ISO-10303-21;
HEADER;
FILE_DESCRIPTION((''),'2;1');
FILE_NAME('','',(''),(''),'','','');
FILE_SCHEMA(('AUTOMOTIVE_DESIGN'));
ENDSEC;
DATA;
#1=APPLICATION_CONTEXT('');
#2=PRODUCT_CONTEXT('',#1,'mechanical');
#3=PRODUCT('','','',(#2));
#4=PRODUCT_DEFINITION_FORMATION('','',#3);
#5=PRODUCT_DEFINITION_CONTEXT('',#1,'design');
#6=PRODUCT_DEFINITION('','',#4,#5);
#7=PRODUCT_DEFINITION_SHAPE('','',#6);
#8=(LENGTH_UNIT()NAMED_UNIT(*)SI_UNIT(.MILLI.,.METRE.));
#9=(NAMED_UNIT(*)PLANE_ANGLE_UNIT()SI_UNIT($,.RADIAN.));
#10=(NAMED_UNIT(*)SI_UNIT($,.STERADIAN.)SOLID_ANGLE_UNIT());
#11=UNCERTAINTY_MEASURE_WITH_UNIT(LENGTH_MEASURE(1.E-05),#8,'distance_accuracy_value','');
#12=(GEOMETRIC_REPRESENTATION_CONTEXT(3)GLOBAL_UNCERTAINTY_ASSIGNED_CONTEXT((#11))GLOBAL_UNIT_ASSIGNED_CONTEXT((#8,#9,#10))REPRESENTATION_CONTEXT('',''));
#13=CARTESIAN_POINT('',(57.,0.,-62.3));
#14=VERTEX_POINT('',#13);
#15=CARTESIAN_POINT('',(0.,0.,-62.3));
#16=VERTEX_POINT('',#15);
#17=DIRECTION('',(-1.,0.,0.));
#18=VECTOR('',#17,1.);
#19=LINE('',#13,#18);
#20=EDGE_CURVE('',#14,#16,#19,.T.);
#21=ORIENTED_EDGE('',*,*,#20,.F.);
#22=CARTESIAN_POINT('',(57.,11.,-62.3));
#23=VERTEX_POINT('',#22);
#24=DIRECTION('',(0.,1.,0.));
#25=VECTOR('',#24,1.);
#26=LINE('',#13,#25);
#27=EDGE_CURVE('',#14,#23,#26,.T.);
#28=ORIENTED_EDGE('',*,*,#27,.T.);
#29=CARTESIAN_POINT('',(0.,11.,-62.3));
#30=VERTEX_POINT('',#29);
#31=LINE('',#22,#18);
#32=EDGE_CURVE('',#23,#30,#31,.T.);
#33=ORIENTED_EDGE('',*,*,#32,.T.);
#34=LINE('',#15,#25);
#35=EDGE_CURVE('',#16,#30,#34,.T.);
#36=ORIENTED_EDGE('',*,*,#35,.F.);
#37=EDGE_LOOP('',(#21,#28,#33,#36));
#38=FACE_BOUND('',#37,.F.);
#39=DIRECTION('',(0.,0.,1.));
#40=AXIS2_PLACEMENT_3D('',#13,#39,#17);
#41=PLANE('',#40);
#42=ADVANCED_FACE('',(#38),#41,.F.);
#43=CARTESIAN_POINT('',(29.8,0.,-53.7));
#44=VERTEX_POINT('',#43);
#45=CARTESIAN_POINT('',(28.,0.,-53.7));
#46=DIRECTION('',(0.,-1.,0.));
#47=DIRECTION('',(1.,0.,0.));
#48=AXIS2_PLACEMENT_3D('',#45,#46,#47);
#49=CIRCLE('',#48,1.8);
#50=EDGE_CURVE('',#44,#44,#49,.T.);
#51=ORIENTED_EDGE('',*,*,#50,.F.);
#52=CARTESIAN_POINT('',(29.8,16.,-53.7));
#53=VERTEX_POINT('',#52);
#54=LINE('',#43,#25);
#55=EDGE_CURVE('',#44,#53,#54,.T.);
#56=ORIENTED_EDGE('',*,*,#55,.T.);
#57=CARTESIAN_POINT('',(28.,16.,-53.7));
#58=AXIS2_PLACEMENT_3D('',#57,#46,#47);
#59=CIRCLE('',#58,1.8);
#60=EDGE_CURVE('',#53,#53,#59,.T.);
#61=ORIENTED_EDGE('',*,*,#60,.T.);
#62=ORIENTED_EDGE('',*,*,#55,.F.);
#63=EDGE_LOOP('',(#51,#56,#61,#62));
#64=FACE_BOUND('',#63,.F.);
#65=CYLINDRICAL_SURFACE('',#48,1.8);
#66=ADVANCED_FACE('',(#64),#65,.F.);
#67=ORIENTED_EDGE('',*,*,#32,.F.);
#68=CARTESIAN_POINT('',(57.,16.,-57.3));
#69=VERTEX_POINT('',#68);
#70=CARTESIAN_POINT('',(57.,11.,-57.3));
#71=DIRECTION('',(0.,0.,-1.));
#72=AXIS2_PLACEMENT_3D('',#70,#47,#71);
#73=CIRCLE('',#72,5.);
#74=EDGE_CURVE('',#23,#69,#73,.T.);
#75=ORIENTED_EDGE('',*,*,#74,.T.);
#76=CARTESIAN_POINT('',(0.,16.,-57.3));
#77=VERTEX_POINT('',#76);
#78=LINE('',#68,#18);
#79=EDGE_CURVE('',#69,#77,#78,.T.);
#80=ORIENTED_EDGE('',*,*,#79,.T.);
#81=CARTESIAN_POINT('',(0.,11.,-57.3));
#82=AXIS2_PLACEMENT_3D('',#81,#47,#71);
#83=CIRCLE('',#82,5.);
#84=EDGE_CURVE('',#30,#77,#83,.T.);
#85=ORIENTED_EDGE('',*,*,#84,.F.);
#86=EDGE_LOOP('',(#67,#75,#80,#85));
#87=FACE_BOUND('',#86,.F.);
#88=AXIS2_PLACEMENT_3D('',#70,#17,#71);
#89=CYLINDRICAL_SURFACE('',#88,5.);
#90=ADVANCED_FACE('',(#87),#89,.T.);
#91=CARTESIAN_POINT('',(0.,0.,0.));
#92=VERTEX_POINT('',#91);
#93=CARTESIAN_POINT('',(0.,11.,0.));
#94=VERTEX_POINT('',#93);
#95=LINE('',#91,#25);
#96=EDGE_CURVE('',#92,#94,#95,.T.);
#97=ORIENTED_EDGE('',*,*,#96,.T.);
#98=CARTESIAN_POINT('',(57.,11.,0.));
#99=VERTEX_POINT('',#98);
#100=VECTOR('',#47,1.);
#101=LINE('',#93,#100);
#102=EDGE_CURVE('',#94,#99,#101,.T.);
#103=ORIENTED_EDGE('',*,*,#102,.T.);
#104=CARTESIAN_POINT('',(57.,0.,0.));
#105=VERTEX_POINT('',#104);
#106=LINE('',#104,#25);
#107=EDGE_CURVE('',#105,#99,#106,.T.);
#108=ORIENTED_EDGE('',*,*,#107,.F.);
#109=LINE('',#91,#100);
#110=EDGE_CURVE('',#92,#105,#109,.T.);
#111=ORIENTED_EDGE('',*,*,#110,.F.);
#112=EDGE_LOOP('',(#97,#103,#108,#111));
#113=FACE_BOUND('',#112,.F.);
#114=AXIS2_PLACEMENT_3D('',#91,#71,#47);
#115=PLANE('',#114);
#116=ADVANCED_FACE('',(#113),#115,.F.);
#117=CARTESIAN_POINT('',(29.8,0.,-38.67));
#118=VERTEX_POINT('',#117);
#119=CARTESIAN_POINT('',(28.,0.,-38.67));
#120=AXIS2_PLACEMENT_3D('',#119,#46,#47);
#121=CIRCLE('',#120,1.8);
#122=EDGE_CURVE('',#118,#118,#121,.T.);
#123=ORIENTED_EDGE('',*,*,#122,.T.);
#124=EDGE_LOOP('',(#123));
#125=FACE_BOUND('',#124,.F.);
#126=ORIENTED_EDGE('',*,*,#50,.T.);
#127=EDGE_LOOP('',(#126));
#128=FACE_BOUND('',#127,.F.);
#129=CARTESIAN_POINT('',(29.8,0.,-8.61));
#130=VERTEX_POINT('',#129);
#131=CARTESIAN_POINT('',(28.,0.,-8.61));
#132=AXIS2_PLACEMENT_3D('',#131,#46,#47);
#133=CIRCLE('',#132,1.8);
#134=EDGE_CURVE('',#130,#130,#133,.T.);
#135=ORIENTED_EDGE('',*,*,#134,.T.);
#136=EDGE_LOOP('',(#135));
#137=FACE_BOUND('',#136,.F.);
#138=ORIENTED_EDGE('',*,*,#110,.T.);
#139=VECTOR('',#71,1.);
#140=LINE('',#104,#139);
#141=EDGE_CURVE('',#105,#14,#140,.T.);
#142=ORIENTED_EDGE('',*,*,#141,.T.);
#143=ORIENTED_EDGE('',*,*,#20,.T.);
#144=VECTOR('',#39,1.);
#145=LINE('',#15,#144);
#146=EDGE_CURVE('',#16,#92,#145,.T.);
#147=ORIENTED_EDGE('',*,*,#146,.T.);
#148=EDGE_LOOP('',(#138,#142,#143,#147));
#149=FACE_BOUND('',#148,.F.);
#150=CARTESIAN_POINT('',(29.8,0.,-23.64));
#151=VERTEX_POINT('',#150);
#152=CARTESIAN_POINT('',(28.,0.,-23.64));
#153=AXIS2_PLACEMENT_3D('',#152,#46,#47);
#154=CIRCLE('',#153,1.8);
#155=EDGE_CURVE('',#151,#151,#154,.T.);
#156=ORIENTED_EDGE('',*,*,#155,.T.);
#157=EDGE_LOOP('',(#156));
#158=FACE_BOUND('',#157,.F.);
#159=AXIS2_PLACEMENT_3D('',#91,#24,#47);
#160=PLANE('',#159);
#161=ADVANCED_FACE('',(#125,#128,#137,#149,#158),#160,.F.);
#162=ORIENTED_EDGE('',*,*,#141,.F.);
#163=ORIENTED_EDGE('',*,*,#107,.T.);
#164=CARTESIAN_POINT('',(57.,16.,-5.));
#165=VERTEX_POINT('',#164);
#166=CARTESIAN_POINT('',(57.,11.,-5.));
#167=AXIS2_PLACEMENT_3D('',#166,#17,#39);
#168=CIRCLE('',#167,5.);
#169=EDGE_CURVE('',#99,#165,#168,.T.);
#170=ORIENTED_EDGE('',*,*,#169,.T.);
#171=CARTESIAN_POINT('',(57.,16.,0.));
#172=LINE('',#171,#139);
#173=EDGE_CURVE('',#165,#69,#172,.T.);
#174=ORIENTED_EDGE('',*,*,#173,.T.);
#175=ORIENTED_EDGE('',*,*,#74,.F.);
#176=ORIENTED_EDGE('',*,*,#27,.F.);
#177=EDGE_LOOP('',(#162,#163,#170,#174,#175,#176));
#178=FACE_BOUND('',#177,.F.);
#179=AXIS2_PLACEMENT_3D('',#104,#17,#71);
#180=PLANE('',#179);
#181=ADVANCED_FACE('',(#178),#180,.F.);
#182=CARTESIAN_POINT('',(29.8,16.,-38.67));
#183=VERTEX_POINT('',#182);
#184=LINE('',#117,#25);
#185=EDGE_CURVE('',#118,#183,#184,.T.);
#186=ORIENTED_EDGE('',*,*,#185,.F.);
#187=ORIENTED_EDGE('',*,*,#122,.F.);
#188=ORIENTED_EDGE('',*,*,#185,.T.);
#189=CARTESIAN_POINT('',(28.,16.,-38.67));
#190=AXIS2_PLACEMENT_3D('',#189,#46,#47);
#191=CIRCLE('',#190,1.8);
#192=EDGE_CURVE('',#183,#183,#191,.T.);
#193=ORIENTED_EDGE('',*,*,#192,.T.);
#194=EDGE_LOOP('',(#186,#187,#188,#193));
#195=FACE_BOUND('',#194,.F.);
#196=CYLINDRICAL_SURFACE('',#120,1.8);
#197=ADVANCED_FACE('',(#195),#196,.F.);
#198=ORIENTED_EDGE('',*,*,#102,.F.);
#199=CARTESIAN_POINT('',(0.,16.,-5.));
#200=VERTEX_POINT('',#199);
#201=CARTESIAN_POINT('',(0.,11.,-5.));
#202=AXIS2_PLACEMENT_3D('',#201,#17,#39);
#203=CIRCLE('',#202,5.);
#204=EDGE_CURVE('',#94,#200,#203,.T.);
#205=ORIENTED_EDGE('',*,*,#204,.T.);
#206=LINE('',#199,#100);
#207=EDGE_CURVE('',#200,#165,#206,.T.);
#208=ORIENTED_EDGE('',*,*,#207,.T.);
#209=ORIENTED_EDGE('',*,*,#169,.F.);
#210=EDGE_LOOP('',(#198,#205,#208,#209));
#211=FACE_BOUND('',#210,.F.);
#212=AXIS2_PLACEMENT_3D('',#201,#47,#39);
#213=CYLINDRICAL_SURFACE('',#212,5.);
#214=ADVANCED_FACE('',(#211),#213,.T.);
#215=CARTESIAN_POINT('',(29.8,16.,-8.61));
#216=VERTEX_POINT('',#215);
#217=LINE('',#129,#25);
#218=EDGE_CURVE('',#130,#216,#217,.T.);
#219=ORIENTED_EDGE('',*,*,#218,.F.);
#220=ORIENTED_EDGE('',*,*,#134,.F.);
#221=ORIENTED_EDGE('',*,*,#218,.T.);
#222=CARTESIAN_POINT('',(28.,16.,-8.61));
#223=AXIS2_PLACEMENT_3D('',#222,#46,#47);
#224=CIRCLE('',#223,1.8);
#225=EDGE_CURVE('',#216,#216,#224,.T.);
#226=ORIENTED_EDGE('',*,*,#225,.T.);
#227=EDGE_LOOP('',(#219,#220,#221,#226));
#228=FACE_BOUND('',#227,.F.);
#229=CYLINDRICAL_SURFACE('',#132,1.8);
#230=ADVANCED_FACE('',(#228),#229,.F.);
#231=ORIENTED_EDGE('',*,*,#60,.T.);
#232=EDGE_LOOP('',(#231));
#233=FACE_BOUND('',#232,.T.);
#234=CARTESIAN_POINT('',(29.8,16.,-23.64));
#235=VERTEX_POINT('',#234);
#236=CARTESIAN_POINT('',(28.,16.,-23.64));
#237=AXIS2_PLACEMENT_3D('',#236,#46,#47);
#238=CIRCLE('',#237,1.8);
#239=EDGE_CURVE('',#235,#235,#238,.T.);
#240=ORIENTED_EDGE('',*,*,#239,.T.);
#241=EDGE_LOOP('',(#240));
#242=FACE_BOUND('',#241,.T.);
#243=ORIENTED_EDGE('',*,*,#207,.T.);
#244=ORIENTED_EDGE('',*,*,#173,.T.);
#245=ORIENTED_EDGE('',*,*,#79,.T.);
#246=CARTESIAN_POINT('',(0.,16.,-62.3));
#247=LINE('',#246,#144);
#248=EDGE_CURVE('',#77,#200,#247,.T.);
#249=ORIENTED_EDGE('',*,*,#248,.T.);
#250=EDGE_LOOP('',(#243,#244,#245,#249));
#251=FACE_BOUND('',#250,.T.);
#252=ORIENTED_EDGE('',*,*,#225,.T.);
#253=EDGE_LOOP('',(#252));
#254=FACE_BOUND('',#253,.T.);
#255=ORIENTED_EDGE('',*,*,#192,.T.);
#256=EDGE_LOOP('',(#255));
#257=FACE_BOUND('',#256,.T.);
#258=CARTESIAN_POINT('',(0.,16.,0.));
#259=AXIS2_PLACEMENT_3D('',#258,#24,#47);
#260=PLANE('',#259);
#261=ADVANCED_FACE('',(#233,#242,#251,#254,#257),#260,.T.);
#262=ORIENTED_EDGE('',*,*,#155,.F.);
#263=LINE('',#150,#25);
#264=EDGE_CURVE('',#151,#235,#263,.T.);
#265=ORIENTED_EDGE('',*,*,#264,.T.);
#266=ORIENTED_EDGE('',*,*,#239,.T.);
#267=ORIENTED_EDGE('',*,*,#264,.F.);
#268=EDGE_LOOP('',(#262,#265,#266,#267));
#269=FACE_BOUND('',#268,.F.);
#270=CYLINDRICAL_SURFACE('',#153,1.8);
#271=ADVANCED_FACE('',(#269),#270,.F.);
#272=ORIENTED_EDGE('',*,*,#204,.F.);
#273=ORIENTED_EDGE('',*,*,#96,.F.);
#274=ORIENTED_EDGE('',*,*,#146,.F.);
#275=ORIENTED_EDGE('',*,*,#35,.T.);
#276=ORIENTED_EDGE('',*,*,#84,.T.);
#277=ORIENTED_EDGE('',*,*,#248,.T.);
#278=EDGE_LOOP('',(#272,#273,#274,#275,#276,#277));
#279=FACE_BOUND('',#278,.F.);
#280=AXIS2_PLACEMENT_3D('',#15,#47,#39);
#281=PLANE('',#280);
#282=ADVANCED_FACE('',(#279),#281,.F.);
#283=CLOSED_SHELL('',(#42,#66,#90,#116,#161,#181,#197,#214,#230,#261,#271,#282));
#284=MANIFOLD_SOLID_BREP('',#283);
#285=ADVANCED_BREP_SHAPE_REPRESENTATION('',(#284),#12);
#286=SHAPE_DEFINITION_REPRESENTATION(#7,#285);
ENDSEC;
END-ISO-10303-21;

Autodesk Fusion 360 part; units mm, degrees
sketch "Sketch1" plane through (0, 0, 0) normal (0, 1, 0) x (1, 0, 0)
  line L0 (0, 0) -> (57, 0)
  line L1 (57, 0) -> (57, 62.3)
  line L2 (57, 62.3) -> (0, 62.3)
  line L3 (0, 62.3) -> (0, 0)
  dimension "d1" = 57
  dimension "d2" = 62.3
extrude "Extrude1" add sketch "Sketch1" along normal blind 16
fillet "Fillet1" radius 5 2 edges at (28.5, 16, 0) (28.5, 16, -62.3)
sketch "Sketch2" plane through (0, 16, 0) normal (0, 1, 0) x (-1, 0, 0)
  line L0 (-57, -57.3) -> (0, -57.3)
  line L1 (0, -57.3) -> (0, -5)
  line L2 (0, -5) -> (-57, -5)
  line L3 (-57, -5) -> (-57, -57.3)
  line L4 (-55.4, -6.6) -> (-1.6, -6.6)
  line L5 (-1.6, -6.6) -> (-1.6, -55.7)
  line L6 (-1.6, -55.7) -> (-55.4, -55.7)
  line L7 (-55.4, -55.7) -> (-55.4, -6.6)
  dimension "d7" = 1.6
  dimension "d8" = 1.6
  dimension "d9" = 1.6
  dimension "d10" = 1.6
sketch "Sketch3" plane through (0, 0, 0) normal (0, -1, 0) x (1, 0, 0)
  line L0 (0, 0) -> (0, -62.3)
  line L1 (0, -62.3) -> (57, -62.3)
  line L2 (57, -62.3) -> (57, 0)
  line L3 (57, 0) -> (0, 0)
  circle A0 centre (28, -53.7) radius 1.8
  circle A1 centre (28, -38.67) radius 1.8
  circle A2 centre (28, -23.64) radius 1.8
  circle A3 centre (28, -8.61) radius 1.8
  dimension "d11" = 3.6
  dimension "d12" = 28
  dimension "d13" = 8.6
  dimension "d16" = 0
  dimension "d17" = 15.03
  dimension "d18" = 8.61
extrude "Extrude2" cut sketch "Sketch3" against normal blind 45 contours A0 | A1 | A2 | A3
equation "d9 = d7"
equation "d10 = d9"
equation "d13 = 6.8 mm + ( ( 3.6 / 2 ) * 1 mm )"
equation "d17 = 11.43 mm + 3.6 mm"
